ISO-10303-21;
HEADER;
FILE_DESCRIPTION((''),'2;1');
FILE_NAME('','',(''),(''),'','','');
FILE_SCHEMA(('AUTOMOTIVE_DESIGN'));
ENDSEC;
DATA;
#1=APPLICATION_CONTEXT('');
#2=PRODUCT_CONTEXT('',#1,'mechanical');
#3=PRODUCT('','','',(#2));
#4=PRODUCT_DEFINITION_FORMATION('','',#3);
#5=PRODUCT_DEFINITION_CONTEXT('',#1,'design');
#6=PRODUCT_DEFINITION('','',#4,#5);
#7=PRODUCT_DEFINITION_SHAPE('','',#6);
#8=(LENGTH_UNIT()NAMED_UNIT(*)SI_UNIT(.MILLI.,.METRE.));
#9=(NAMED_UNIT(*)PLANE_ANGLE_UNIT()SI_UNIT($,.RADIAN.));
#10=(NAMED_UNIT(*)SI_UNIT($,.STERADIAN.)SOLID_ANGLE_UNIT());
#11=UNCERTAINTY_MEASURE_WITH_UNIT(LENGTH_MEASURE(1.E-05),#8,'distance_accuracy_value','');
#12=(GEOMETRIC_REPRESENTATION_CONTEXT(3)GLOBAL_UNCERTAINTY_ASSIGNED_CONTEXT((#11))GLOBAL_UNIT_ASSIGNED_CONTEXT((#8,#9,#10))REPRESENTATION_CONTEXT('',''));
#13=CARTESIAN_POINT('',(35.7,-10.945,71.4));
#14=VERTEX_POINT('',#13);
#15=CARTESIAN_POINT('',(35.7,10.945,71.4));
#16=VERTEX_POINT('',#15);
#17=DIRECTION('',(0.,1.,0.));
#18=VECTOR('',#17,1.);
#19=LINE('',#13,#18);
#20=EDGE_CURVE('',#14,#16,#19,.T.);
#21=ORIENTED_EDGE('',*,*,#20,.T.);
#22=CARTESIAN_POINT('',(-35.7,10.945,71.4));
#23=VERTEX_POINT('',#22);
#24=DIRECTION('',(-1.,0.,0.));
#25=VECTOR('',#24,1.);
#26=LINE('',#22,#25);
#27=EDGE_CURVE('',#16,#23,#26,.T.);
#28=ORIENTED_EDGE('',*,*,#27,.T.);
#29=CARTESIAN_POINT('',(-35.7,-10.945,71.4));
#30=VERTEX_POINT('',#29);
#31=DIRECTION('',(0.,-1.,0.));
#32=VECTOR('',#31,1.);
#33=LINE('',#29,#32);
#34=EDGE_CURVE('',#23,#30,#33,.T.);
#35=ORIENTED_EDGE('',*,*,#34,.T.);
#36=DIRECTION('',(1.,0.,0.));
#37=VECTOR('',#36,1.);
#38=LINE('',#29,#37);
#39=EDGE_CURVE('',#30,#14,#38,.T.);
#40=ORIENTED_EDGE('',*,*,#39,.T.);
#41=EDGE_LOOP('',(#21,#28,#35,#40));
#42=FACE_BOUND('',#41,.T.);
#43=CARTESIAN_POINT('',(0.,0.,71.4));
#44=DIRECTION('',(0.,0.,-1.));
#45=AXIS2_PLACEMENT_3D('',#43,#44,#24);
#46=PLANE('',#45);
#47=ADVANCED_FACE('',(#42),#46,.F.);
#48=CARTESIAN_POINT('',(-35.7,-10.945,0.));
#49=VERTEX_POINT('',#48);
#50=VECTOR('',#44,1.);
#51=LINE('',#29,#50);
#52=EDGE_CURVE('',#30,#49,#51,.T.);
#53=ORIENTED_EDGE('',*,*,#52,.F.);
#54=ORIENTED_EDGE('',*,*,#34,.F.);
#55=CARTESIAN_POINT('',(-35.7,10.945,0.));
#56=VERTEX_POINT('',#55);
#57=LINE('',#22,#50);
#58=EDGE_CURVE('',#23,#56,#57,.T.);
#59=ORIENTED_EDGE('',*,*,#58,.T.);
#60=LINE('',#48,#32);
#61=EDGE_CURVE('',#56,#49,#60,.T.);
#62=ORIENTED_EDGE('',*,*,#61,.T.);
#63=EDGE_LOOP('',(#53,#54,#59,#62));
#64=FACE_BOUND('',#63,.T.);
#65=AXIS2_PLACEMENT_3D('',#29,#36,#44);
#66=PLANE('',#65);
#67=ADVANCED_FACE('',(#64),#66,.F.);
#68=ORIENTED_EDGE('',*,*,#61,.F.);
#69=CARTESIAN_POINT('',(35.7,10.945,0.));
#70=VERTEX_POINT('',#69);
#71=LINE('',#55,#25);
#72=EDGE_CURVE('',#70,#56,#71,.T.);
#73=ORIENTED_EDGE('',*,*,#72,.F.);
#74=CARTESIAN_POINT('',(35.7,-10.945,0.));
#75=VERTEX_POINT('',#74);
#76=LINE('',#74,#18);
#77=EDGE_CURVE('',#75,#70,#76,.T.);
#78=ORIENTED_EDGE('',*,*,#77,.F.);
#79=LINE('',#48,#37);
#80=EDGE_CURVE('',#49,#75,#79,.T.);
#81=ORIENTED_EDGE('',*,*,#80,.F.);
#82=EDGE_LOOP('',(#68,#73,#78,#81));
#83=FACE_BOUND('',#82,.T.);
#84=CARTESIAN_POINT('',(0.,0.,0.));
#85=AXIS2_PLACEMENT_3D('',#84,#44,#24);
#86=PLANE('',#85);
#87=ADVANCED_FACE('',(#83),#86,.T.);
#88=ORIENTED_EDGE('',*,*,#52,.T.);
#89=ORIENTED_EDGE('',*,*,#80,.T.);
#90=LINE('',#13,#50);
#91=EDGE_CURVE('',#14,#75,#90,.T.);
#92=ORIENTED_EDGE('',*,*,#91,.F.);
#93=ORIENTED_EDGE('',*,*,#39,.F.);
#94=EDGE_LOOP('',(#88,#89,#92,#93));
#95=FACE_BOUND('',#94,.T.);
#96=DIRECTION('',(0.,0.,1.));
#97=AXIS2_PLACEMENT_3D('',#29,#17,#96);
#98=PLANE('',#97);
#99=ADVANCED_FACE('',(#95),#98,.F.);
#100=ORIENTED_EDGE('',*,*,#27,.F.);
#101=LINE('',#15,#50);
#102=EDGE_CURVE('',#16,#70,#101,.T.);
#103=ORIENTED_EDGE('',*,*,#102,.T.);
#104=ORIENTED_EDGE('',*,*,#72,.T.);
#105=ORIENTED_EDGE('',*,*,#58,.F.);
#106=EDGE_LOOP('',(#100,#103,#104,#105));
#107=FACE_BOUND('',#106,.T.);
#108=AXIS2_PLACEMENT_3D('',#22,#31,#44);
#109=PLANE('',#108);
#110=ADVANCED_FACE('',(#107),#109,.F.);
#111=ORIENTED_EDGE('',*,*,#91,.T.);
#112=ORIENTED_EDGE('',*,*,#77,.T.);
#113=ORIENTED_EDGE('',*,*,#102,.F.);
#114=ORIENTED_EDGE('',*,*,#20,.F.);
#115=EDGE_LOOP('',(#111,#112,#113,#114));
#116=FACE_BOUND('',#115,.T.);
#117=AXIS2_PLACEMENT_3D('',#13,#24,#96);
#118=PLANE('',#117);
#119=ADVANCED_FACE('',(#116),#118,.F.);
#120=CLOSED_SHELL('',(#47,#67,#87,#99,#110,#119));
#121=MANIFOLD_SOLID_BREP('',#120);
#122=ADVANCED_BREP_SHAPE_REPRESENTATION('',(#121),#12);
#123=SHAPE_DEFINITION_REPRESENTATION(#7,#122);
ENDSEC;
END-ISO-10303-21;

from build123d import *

# Parameters (mm, degrees)
SKETCH1_W      = 71.4
SKETCH1_H      = 21.89
ENVELOPE_DEPTH = 71.4


with BuildPart() as part:
    # Sketch1 → Envelope (new body)
    with BuildSketch(Plane.XY):
        Rectangle(SKETCH1_W, SKETCH1_H)
    extrude(amount=ENVELOPE_DEPTH)


solid = part.part
